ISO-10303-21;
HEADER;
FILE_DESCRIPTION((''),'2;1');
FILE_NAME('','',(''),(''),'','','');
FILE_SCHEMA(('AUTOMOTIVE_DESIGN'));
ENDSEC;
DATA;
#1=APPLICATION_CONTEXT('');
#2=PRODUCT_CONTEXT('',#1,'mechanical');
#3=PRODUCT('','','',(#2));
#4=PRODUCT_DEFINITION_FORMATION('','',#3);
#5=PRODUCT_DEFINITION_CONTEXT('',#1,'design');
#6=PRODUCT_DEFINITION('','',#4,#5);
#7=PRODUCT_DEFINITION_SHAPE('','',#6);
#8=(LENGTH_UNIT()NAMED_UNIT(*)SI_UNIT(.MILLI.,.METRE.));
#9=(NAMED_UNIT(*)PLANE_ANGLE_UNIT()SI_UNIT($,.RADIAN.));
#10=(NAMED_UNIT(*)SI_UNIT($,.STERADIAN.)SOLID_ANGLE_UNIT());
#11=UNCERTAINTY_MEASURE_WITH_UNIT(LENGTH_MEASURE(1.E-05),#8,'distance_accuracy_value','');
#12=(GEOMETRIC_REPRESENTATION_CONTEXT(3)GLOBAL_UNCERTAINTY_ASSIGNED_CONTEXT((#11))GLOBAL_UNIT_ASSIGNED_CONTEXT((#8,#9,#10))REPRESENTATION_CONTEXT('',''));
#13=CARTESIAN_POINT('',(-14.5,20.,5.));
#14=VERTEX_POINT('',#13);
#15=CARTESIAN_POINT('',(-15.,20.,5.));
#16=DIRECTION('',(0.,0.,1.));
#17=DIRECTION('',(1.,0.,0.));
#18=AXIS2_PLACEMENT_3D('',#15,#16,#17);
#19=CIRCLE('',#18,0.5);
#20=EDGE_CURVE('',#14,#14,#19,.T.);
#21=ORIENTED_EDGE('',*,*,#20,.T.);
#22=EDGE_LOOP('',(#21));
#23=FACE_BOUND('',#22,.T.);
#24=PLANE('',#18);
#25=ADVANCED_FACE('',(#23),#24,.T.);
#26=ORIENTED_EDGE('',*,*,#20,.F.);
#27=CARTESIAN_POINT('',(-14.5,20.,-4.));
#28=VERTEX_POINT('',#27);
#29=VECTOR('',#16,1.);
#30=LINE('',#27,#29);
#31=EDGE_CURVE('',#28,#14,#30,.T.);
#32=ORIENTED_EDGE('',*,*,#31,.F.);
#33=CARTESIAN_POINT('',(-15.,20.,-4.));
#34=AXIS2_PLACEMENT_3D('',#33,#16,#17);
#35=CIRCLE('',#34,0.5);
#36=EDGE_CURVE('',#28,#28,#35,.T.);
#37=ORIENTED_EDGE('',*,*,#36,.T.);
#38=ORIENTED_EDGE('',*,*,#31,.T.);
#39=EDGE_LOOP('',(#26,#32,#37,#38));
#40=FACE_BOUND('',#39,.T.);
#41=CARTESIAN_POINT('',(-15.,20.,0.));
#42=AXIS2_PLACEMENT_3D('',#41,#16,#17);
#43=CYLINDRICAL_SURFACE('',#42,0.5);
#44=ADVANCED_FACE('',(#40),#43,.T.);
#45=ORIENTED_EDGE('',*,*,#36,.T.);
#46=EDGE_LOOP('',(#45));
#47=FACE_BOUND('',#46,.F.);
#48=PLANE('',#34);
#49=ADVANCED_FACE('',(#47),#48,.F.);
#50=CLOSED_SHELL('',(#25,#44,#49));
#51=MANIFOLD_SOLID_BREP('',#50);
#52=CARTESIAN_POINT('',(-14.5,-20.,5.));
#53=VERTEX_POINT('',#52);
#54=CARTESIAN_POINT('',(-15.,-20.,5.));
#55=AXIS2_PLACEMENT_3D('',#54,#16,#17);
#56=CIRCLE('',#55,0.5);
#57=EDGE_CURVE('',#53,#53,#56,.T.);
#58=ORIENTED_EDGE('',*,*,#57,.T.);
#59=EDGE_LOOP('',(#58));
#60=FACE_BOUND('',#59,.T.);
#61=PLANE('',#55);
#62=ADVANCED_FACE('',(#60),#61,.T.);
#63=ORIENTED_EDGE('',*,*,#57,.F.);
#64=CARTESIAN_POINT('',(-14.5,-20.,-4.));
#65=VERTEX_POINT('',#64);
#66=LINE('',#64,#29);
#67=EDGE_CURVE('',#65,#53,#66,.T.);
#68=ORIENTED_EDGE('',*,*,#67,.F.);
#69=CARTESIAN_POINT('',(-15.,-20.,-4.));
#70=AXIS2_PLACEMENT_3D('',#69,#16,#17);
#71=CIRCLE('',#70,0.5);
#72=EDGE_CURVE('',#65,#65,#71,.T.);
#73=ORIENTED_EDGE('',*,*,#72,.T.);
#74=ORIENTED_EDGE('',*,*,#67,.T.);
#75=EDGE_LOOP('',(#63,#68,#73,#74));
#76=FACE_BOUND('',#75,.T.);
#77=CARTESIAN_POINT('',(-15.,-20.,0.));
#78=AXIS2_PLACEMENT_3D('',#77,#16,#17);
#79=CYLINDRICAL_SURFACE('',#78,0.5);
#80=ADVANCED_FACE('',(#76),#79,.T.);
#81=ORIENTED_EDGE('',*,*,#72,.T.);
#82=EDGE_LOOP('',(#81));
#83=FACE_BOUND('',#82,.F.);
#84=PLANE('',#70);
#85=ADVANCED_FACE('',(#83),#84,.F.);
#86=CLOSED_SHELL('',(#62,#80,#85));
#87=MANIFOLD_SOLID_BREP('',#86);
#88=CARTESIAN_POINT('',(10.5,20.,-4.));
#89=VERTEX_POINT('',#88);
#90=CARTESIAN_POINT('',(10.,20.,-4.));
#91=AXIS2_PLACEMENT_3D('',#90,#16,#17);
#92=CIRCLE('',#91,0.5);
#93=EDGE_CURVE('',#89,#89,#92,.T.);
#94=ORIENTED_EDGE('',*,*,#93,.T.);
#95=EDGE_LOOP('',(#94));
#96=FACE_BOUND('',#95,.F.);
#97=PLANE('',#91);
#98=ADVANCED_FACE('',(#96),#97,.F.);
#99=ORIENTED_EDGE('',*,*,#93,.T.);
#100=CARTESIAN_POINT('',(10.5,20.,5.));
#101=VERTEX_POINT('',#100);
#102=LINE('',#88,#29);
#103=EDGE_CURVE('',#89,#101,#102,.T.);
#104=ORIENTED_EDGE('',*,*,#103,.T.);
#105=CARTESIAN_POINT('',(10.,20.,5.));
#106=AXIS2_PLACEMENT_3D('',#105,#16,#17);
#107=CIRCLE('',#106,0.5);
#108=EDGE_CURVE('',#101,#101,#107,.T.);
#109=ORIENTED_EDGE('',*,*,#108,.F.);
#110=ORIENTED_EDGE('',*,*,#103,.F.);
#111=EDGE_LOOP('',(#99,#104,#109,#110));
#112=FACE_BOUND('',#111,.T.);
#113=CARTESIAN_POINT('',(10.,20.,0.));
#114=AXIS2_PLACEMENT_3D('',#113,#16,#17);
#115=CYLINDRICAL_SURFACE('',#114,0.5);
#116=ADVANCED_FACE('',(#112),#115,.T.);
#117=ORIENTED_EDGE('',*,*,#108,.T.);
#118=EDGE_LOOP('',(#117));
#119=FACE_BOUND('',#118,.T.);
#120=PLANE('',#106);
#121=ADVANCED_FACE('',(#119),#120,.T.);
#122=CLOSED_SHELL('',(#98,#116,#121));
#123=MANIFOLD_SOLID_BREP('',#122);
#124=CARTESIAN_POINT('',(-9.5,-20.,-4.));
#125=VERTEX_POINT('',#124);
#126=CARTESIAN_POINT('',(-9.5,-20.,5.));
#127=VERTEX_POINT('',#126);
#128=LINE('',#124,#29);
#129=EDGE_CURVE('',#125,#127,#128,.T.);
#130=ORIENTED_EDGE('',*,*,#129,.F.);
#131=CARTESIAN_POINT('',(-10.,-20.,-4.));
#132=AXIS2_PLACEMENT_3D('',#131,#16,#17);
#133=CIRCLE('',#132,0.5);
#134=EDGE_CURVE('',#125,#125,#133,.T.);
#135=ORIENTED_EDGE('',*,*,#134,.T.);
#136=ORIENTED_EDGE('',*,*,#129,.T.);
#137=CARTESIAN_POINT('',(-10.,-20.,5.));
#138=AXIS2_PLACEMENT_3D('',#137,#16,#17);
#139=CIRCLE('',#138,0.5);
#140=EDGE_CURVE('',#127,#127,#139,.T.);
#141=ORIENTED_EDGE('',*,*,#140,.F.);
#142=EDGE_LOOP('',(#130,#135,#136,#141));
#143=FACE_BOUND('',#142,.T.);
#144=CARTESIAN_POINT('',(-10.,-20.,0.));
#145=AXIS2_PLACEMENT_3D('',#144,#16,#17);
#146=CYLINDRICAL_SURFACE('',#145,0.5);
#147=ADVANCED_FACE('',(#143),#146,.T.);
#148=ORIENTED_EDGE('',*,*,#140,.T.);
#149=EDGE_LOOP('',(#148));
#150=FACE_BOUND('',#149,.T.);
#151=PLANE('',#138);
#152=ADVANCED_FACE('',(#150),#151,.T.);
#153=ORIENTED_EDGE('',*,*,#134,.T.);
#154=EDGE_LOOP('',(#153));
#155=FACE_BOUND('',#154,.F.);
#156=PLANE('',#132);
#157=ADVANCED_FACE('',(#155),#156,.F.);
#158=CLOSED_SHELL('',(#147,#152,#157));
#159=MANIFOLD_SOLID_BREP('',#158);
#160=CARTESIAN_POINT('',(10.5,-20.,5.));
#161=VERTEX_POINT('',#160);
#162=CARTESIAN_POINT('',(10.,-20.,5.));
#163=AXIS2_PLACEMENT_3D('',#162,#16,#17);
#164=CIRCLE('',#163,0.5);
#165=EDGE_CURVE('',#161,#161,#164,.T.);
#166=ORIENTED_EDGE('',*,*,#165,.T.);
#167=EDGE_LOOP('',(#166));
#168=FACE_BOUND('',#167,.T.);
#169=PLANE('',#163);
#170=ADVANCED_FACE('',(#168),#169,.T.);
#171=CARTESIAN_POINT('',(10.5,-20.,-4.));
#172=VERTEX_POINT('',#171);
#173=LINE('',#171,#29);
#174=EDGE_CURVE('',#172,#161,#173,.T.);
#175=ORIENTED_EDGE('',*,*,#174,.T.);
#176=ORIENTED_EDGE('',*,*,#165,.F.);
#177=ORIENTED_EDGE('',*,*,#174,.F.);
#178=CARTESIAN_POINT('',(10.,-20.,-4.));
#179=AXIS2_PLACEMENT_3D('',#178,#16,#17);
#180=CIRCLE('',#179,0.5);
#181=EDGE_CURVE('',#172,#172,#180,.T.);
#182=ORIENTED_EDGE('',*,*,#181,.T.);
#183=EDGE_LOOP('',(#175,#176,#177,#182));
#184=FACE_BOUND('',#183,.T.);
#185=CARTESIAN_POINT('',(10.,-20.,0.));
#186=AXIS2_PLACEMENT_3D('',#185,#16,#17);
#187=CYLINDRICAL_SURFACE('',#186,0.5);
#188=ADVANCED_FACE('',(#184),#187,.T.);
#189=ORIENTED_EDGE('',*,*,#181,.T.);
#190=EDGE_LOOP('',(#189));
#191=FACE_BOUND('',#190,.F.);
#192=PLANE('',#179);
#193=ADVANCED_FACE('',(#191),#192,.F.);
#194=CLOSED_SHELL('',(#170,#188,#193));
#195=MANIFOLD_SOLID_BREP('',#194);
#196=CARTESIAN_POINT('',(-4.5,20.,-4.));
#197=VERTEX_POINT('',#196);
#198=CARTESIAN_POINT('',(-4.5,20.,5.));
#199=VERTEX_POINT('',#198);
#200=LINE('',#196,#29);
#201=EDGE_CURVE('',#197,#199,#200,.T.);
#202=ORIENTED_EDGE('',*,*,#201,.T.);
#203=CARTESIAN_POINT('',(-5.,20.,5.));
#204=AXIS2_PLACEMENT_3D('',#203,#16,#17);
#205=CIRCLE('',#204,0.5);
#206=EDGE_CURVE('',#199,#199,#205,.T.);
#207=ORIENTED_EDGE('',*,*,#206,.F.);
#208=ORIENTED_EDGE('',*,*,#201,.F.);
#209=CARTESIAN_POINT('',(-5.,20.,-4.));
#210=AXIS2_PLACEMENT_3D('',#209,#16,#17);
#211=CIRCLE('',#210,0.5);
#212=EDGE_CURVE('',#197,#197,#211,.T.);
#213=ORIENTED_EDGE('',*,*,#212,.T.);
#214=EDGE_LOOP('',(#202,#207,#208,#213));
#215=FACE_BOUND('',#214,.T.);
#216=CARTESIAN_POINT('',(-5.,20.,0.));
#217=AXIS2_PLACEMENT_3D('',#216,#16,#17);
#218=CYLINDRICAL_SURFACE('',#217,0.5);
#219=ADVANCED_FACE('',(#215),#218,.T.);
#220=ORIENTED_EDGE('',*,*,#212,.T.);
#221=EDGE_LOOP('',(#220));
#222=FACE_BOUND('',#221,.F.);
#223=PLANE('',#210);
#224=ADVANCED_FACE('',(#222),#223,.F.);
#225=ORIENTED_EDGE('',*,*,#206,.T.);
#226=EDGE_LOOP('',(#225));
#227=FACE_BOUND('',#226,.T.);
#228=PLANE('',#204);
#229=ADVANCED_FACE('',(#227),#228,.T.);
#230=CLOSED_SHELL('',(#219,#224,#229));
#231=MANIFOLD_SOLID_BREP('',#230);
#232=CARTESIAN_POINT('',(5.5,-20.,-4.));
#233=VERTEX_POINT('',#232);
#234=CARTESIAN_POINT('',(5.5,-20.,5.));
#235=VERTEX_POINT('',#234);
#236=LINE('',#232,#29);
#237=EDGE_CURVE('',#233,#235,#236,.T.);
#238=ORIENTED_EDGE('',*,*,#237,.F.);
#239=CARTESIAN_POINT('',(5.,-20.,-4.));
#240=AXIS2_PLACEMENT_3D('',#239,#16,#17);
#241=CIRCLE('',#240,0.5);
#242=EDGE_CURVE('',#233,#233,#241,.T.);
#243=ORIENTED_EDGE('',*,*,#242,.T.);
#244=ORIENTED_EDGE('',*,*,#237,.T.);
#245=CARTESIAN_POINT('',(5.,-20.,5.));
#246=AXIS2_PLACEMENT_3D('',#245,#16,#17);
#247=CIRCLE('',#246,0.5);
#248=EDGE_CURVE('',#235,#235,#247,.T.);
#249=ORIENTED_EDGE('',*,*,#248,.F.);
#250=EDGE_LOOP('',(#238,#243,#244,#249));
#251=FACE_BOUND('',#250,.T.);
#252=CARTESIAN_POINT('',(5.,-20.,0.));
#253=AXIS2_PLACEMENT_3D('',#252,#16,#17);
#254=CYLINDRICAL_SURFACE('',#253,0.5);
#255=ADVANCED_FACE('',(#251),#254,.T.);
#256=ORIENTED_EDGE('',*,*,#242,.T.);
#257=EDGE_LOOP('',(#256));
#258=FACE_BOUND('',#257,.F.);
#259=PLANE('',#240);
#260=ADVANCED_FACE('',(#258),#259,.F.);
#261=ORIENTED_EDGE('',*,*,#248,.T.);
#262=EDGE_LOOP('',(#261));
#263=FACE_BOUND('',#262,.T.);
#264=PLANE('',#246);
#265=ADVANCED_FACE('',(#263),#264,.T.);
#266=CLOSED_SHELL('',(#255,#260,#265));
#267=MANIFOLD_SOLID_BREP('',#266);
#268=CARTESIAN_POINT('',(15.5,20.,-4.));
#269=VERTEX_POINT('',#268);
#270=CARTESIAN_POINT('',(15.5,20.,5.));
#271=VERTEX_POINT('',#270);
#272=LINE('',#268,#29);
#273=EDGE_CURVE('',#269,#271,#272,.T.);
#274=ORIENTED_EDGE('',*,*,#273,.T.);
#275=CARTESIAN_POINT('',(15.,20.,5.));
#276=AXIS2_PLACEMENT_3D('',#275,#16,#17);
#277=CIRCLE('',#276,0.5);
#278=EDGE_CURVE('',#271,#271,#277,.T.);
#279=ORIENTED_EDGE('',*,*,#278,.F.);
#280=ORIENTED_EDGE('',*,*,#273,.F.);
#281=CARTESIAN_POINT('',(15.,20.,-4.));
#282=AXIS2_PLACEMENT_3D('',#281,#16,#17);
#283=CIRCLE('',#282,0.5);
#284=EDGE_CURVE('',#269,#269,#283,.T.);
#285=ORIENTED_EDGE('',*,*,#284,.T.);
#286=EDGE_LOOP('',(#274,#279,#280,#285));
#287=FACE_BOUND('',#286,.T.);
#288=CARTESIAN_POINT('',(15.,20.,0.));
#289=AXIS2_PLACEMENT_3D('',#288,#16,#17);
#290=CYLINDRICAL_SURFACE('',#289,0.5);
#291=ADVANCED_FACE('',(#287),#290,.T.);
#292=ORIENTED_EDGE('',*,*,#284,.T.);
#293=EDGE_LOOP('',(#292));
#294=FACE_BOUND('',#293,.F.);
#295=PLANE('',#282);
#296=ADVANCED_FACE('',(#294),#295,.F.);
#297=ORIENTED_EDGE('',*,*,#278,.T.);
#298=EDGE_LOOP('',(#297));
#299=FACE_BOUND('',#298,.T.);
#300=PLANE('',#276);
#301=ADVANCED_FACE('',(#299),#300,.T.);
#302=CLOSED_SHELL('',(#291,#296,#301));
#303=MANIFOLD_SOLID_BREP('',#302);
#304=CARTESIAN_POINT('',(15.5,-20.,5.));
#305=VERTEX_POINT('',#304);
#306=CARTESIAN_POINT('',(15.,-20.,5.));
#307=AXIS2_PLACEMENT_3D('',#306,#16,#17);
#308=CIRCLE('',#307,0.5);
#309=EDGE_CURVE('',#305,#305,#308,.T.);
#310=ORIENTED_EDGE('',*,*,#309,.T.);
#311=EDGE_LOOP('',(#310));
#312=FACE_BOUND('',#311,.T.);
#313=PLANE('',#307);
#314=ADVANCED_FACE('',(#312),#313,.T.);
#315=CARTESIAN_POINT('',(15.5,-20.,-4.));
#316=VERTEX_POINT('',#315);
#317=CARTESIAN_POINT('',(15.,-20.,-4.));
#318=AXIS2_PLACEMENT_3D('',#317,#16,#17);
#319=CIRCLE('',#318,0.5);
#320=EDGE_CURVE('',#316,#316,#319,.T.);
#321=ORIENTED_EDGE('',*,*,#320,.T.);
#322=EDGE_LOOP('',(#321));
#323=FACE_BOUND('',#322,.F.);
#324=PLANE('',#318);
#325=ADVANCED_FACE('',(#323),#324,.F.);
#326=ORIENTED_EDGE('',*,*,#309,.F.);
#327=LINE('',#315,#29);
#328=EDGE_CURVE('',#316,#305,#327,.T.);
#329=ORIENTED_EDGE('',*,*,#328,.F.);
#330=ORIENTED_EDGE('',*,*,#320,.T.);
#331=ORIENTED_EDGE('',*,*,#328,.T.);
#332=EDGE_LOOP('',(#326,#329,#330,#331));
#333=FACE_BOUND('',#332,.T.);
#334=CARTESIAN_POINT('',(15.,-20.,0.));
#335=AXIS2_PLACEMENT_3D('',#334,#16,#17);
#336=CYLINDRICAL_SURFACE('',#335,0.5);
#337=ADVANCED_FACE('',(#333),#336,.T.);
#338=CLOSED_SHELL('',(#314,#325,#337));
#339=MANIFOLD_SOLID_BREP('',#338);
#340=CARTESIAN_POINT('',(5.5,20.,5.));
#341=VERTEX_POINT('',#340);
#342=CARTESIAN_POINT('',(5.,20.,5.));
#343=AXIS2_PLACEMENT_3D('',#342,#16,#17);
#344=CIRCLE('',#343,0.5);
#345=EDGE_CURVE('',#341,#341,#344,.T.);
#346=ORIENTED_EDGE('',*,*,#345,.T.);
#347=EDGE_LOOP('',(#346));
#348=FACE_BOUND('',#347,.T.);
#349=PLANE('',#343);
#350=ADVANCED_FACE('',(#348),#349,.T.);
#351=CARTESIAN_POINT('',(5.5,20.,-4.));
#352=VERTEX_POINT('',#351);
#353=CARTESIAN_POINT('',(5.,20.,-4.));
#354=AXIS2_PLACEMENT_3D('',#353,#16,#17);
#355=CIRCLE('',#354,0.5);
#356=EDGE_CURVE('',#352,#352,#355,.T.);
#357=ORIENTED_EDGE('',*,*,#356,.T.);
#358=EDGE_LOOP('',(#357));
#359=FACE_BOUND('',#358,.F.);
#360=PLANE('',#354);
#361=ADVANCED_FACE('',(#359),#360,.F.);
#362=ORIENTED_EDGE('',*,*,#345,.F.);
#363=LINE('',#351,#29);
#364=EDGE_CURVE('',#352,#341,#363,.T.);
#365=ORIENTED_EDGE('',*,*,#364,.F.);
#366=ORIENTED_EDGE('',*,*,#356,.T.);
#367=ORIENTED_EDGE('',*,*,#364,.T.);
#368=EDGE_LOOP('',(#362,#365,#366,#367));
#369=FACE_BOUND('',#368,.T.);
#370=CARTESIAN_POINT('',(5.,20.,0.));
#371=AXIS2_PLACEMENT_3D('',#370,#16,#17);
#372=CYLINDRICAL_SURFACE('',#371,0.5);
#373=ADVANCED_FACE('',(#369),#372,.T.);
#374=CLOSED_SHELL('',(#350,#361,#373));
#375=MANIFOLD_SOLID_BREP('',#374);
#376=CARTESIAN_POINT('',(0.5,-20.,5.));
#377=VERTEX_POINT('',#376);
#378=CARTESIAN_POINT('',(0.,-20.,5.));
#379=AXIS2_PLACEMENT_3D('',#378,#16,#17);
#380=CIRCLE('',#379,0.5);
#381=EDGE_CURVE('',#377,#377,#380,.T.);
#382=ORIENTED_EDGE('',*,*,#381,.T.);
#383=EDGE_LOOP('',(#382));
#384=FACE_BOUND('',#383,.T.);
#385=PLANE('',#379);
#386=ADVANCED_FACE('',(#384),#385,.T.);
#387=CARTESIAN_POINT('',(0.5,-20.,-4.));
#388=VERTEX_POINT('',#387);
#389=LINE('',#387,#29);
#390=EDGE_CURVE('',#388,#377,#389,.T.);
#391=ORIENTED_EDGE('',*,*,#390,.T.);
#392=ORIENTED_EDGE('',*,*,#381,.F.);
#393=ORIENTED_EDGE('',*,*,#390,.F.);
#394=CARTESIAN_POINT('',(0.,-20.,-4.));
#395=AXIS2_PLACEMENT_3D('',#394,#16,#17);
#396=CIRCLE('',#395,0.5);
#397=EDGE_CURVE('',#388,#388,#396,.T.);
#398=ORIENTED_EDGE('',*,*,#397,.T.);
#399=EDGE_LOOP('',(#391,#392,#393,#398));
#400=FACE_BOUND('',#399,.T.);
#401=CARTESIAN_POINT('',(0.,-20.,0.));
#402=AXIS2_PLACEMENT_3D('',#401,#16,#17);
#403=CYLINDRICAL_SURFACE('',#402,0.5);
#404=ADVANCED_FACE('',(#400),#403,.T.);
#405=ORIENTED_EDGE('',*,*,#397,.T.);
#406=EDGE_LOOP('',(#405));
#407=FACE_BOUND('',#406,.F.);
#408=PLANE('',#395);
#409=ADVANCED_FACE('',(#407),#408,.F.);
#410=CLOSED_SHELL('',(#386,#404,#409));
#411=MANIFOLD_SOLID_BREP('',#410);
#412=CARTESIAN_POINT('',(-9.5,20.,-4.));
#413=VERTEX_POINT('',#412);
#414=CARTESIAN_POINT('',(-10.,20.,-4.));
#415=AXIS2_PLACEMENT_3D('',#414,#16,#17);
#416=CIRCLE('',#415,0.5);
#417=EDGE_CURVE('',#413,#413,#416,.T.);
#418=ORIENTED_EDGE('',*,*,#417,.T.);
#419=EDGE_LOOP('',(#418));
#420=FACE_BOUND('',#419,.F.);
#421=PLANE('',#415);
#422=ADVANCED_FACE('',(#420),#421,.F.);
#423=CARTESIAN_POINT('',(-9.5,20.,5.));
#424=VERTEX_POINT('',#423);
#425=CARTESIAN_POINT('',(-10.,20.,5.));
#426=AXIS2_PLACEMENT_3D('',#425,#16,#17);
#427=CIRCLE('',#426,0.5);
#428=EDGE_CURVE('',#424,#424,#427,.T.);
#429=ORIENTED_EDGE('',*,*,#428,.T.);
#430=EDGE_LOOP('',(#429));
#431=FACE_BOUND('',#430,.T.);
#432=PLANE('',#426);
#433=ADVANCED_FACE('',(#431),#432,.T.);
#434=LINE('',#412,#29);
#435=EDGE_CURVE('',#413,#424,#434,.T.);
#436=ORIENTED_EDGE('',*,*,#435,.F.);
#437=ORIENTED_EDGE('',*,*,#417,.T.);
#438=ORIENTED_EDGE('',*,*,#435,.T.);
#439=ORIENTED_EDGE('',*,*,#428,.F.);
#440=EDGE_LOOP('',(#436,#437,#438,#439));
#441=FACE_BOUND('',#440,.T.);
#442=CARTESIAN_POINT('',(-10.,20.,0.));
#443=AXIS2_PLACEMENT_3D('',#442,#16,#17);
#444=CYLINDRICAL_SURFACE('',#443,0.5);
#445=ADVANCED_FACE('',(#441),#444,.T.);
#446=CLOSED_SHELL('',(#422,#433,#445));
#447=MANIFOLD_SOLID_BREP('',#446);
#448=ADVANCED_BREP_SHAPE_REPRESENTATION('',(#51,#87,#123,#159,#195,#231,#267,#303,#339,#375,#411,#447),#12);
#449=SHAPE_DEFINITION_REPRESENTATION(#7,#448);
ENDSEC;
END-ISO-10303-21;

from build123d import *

# Parameters (mm, degrees)
F0_R          = 0.5
F1_DEPTH      = 5
F1_DEPTH_BACK = 4


with BuildPart() as f1:
    # F0 (on Top) → F1 (new body, two sides)
    with BuildSketch(Plane.XY) as f1_sk:
        with Locations((-15, -20)):
            Circle(F0_R)
        with Locations((-10, -20)):
            Circle(F0_R)
        with Locations((0, -20)):
            Circle(F0_R)
        with Locations((5, -20)):
            Circle(F0_R)
        with Locations((10, -20)):
            Circle(F0_R)
        with Locations((15, -20)):
            Circle(F0_R)
        with Locations((15, 20)):
            Circle(F0_R)
        with Locations((5, 20)):
            Circle(F0_R)
        with Locations((10, 20)):
            Circle(F0_R)
        with Locations((-5, 20)):
            Circle(F0_R)
        with Locations((-15, 20)):
            Circle(F0_R)
        with Locations((-10, 20)):
            Circle(F0_R)
    extrude(amount=F1_DEPTH)
    extrude(f1_sk.sketch, amount=-F1_DEPTH_BACK)


solid = f1.part
